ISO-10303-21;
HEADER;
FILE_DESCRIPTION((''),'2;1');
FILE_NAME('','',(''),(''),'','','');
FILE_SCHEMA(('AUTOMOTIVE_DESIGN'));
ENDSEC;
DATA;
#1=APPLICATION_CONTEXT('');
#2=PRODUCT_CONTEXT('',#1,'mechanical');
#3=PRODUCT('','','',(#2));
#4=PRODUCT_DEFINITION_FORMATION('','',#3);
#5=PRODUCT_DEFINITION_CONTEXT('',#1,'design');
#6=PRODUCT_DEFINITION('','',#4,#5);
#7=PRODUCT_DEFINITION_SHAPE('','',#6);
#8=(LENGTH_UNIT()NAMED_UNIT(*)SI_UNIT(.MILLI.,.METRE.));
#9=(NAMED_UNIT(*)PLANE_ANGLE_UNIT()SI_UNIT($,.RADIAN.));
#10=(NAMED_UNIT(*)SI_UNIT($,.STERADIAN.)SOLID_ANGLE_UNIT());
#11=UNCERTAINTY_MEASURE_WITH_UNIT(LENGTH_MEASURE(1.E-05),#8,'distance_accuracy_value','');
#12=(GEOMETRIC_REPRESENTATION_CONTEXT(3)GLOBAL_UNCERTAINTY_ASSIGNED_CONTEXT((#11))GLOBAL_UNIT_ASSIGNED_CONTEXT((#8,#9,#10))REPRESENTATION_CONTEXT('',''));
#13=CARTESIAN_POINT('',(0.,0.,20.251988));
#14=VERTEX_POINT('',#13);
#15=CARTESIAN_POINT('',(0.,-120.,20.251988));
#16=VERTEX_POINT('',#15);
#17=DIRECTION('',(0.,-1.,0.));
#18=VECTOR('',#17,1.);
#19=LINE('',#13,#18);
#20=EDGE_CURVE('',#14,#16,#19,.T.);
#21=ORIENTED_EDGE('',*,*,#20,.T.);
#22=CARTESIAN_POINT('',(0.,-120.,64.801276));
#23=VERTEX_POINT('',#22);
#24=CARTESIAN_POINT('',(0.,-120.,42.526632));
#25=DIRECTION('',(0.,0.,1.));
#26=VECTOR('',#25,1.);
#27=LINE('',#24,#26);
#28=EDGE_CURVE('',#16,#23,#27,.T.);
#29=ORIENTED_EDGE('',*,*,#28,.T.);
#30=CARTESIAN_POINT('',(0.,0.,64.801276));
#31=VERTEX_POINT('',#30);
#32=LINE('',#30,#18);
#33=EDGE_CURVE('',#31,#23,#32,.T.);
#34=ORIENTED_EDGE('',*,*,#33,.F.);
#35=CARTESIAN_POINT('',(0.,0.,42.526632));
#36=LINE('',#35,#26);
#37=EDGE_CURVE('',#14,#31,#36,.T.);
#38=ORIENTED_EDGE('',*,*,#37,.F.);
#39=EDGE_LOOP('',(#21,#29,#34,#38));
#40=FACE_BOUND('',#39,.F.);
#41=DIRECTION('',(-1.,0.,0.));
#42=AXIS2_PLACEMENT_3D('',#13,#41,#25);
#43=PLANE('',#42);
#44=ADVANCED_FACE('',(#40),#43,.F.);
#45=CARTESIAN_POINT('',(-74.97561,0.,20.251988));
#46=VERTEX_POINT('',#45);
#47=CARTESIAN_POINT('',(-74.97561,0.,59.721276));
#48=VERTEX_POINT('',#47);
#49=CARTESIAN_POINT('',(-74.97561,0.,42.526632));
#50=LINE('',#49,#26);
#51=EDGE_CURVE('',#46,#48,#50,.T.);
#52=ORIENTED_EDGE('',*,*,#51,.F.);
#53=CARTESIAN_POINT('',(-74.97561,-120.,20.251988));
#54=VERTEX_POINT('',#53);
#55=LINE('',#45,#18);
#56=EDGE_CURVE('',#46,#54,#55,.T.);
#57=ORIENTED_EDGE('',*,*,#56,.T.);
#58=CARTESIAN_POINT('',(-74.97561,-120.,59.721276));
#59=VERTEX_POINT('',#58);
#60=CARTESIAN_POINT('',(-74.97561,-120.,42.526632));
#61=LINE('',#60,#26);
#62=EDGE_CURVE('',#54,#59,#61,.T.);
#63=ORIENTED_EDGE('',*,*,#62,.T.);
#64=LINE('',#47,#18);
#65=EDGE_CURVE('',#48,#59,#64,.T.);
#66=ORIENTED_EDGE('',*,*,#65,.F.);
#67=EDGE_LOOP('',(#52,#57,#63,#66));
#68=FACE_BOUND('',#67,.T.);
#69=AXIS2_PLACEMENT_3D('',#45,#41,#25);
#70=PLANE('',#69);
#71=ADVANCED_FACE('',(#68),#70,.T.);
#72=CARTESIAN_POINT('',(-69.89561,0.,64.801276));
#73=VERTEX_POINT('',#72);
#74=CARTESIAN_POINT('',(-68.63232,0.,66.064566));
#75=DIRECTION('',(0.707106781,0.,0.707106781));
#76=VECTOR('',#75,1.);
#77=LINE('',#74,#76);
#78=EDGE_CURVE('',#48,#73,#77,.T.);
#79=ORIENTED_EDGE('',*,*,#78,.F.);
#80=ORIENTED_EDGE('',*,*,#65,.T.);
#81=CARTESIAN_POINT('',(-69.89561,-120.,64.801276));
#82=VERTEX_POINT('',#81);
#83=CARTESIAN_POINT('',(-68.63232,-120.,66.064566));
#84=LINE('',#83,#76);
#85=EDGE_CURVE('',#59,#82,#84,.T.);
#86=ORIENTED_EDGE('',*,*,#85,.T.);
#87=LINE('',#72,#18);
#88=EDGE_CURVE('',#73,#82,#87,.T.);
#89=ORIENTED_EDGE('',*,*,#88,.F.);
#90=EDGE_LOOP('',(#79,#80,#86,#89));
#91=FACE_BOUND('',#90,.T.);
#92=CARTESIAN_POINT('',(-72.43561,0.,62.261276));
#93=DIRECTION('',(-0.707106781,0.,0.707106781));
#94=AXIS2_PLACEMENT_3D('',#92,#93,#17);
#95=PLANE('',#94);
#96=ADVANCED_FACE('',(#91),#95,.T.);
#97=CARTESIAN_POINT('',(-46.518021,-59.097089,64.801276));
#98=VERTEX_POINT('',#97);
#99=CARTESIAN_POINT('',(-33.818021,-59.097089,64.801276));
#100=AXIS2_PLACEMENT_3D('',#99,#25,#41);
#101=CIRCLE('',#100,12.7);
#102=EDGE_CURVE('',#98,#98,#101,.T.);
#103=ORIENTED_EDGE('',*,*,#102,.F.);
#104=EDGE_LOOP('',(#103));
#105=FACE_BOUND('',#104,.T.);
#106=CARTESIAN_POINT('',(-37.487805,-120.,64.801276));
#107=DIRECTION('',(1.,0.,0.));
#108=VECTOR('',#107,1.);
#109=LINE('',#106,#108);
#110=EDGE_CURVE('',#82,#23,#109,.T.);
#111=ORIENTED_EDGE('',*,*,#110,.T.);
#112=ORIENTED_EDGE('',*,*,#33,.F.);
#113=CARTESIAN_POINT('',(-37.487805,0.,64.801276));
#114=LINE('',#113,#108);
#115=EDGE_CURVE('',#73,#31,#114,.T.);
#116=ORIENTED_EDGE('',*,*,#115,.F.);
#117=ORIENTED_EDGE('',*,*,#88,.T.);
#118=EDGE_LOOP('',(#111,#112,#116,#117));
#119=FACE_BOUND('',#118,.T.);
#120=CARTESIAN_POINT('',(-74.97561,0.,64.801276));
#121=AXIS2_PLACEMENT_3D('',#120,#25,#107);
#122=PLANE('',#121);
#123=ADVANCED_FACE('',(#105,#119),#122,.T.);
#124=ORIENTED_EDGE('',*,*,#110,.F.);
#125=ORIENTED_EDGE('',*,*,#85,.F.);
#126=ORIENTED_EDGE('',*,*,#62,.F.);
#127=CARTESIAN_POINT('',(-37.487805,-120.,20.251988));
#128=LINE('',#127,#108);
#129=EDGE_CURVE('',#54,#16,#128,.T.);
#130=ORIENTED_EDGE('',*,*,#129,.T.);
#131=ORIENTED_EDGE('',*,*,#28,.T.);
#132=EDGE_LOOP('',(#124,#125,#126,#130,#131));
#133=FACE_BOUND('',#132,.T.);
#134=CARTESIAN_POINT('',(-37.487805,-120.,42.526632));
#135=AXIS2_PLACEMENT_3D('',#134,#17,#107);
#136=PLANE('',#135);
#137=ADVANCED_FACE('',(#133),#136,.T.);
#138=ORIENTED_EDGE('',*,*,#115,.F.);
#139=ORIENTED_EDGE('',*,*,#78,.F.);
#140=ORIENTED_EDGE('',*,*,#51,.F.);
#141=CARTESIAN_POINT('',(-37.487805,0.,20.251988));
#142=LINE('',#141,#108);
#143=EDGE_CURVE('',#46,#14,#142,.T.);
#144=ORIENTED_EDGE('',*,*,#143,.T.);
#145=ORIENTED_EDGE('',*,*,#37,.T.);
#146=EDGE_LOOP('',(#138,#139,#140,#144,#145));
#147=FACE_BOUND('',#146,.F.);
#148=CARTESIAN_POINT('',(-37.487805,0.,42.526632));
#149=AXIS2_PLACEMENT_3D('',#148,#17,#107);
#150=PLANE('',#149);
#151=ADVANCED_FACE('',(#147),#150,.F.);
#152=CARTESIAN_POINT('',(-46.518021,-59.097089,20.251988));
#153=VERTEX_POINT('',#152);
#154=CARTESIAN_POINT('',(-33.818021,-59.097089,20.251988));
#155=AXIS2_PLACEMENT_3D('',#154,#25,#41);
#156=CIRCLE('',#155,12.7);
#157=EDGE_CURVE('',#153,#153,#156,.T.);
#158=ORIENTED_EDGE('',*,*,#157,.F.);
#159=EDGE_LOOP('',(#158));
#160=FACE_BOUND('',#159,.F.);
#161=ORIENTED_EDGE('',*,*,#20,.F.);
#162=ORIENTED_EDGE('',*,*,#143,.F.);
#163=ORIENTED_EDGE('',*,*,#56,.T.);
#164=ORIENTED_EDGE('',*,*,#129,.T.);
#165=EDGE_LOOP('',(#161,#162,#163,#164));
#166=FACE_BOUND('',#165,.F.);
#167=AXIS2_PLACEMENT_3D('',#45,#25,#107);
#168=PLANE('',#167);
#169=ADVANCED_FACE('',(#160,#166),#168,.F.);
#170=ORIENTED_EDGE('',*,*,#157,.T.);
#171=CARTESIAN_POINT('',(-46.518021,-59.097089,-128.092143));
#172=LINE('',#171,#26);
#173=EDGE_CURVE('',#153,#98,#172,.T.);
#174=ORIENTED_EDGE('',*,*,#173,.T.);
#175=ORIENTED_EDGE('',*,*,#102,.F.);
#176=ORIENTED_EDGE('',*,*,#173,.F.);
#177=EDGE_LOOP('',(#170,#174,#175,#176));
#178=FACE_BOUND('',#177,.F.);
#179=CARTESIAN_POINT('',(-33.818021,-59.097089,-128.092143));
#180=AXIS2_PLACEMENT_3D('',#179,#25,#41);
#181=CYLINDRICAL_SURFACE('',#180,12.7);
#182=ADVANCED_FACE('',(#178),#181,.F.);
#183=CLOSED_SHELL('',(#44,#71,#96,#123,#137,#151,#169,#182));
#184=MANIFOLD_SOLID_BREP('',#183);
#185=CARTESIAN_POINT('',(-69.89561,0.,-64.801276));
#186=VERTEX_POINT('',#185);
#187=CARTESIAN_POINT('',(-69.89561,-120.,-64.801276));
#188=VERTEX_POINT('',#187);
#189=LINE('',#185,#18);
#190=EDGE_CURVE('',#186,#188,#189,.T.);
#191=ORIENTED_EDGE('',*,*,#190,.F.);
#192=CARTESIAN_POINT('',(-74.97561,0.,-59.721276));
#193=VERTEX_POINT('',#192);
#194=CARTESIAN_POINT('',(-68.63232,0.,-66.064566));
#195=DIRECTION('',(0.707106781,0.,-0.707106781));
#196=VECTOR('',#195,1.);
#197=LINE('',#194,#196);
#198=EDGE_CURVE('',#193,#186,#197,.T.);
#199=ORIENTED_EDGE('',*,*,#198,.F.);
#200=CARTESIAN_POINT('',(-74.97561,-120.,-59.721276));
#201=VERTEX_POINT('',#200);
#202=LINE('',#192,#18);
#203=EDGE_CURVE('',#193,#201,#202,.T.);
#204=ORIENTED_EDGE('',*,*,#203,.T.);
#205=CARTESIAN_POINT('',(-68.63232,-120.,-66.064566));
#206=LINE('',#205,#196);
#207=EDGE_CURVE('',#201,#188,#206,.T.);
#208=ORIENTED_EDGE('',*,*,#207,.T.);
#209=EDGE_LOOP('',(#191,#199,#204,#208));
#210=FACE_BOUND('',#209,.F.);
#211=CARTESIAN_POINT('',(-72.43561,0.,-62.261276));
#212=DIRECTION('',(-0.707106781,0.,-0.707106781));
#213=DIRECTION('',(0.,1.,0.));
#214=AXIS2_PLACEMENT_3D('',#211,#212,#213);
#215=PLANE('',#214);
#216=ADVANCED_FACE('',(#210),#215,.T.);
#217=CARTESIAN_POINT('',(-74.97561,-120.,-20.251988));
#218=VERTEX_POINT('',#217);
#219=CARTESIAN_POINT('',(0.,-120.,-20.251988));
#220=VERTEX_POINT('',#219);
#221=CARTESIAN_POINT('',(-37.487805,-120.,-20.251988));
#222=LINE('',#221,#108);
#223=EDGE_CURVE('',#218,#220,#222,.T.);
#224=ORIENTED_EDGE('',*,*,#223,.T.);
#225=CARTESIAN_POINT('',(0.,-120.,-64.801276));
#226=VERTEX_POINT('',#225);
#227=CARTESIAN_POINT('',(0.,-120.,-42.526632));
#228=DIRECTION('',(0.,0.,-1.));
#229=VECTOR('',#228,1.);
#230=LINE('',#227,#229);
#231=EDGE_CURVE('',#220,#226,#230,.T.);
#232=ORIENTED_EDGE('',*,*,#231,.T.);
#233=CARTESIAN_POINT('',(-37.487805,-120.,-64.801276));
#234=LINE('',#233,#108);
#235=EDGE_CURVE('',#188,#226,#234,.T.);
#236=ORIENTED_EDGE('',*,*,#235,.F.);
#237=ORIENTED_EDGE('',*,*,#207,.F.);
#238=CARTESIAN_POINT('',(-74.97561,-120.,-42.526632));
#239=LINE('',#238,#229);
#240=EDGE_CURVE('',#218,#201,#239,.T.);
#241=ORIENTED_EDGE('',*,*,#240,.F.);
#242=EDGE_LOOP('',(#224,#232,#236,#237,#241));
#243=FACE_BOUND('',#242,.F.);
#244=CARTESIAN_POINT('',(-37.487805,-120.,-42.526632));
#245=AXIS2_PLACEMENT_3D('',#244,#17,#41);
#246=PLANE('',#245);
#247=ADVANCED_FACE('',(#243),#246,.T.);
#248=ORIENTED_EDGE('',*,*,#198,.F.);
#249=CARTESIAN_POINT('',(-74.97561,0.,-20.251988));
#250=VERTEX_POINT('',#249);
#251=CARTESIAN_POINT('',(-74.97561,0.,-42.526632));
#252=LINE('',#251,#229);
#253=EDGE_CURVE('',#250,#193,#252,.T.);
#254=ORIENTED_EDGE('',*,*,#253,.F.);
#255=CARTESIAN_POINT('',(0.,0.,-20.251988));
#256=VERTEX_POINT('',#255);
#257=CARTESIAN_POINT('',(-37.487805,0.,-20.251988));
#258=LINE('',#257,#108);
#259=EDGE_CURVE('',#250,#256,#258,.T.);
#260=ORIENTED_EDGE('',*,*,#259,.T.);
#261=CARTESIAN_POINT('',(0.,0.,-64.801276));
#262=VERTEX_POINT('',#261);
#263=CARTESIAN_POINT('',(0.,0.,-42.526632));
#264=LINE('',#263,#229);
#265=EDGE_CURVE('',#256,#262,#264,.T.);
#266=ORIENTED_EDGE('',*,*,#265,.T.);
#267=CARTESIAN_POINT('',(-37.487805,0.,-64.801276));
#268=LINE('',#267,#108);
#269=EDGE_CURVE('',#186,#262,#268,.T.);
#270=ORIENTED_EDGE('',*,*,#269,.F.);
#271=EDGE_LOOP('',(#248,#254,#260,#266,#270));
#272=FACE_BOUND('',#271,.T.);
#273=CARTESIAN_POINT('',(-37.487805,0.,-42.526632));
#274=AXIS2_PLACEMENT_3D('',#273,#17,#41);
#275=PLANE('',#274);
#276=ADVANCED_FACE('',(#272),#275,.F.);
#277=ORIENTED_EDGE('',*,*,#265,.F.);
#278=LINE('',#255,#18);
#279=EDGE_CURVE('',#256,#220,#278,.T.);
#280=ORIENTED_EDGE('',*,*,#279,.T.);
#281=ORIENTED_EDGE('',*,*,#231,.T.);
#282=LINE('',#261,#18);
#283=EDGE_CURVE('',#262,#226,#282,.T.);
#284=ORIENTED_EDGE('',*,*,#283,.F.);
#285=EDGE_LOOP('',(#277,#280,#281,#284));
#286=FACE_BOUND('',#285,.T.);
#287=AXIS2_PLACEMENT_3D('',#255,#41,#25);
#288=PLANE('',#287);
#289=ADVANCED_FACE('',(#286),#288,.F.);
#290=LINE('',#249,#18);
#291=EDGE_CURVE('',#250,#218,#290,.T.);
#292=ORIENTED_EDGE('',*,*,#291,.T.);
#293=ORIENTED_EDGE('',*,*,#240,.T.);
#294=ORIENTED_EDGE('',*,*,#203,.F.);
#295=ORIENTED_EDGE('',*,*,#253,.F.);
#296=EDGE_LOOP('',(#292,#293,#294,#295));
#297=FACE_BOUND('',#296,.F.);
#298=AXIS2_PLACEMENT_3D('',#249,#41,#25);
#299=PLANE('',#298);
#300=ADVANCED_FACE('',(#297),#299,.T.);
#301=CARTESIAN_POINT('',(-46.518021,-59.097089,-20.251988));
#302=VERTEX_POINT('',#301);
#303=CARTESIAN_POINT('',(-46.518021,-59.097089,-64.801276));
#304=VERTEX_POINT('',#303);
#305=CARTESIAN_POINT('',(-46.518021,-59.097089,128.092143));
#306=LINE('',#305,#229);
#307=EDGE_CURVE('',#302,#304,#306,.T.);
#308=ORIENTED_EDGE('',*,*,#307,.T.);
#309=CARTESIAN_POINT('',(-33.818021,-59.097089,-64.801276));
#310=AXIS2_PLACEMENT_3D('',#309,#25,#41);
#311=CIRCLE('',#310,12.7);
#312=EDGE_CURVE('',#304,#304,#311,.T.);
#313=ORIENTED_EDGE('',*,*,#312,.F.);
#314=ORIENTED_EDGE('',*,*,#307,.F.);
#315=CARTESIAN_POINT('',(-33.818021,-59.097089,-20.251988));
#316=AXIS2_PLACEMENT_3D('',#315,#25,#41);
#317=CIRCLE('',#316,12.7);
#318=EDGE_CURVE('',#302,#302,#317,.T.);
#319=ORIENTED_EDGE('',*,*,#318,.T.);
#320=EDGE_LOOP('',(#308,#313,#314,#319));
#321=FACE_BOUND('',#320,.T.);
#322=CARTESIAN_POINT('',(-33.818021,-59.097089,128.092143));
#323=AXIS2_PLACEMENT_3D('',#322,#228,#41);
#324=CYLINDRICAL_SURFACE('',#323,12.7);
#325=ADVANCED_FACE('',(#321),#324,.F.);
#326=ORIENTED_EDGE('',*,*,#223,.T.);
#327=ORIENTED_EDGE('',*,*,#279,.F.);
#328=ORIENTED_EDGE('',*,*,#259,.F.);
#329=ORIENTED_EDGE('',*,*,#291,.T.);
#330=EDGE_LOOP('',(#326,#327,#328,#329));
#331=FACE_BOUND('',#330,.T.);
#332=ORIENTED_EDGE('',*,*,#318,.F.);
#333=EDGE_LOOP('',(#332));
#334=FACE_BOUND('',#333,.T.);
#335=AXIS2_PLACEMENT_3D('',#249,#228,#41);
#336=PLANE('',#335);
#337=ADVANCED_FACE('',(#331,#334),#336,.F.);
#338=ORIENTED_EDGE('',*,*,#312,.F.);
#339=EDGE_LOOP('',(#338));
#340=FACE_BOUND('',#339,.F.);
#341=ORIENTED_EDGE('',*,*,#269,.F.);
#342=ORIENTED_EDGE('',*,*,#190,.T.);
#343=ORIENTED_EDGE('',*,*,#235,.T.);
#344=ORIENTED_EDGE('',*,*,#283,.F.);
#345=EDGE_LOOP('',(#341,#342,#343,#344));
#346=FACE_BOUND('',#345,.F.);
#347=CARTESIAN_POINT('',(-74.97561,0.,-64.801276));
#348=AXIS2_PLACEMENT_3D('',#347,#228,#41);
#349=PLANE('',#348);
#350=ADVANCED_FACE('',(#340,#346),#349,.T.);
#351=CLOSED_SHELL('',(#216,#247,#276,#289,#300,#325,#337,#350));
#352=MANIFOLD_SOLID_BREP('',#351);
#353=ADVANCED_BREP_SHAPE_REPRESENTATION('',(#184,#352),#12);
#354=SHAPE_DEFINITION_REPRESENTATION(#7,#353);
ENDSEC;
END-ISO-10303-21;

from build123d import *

# Parameters (mm, degrees)
F0_W     = 74.97561
F0_H     = 44.549288
F1_DEPTH = 120
F2_SIZE  = 5.08
F4_D     = 25.4


with BuildPart() as f1:
    # F0 (on Front) → F1 (new body)
    with BuildSketch(Plane.XZ):
        with Locations((-37.487805, 42.526632)):
            Rectangle(F0_W, F0_H)
    extrude(amount=F1_DEPTH)

    # F2
    f2_edges = [f1.edges().sort_by_distance(p)[0] for p in [
        (-74.97561, -60, 64.801276),
    ]]
    chamfer(f2_edges, length=F2_SIZE)

    # F4 (through all)
    with Locations(Plane(origin=(0, 0, 20.251988), x_dir=(1, 0, 0), z_dir=(0, 0, -1))):
        with Locations((-33.818021, 59.097089)):
            Hole(F4_D / 2)


with BuildPart() as f5_1:
    # F5: instance of F1
    add(f1.part.mirror(Plane.XY))


solid = Compound([f1.part, f5_1.part])
